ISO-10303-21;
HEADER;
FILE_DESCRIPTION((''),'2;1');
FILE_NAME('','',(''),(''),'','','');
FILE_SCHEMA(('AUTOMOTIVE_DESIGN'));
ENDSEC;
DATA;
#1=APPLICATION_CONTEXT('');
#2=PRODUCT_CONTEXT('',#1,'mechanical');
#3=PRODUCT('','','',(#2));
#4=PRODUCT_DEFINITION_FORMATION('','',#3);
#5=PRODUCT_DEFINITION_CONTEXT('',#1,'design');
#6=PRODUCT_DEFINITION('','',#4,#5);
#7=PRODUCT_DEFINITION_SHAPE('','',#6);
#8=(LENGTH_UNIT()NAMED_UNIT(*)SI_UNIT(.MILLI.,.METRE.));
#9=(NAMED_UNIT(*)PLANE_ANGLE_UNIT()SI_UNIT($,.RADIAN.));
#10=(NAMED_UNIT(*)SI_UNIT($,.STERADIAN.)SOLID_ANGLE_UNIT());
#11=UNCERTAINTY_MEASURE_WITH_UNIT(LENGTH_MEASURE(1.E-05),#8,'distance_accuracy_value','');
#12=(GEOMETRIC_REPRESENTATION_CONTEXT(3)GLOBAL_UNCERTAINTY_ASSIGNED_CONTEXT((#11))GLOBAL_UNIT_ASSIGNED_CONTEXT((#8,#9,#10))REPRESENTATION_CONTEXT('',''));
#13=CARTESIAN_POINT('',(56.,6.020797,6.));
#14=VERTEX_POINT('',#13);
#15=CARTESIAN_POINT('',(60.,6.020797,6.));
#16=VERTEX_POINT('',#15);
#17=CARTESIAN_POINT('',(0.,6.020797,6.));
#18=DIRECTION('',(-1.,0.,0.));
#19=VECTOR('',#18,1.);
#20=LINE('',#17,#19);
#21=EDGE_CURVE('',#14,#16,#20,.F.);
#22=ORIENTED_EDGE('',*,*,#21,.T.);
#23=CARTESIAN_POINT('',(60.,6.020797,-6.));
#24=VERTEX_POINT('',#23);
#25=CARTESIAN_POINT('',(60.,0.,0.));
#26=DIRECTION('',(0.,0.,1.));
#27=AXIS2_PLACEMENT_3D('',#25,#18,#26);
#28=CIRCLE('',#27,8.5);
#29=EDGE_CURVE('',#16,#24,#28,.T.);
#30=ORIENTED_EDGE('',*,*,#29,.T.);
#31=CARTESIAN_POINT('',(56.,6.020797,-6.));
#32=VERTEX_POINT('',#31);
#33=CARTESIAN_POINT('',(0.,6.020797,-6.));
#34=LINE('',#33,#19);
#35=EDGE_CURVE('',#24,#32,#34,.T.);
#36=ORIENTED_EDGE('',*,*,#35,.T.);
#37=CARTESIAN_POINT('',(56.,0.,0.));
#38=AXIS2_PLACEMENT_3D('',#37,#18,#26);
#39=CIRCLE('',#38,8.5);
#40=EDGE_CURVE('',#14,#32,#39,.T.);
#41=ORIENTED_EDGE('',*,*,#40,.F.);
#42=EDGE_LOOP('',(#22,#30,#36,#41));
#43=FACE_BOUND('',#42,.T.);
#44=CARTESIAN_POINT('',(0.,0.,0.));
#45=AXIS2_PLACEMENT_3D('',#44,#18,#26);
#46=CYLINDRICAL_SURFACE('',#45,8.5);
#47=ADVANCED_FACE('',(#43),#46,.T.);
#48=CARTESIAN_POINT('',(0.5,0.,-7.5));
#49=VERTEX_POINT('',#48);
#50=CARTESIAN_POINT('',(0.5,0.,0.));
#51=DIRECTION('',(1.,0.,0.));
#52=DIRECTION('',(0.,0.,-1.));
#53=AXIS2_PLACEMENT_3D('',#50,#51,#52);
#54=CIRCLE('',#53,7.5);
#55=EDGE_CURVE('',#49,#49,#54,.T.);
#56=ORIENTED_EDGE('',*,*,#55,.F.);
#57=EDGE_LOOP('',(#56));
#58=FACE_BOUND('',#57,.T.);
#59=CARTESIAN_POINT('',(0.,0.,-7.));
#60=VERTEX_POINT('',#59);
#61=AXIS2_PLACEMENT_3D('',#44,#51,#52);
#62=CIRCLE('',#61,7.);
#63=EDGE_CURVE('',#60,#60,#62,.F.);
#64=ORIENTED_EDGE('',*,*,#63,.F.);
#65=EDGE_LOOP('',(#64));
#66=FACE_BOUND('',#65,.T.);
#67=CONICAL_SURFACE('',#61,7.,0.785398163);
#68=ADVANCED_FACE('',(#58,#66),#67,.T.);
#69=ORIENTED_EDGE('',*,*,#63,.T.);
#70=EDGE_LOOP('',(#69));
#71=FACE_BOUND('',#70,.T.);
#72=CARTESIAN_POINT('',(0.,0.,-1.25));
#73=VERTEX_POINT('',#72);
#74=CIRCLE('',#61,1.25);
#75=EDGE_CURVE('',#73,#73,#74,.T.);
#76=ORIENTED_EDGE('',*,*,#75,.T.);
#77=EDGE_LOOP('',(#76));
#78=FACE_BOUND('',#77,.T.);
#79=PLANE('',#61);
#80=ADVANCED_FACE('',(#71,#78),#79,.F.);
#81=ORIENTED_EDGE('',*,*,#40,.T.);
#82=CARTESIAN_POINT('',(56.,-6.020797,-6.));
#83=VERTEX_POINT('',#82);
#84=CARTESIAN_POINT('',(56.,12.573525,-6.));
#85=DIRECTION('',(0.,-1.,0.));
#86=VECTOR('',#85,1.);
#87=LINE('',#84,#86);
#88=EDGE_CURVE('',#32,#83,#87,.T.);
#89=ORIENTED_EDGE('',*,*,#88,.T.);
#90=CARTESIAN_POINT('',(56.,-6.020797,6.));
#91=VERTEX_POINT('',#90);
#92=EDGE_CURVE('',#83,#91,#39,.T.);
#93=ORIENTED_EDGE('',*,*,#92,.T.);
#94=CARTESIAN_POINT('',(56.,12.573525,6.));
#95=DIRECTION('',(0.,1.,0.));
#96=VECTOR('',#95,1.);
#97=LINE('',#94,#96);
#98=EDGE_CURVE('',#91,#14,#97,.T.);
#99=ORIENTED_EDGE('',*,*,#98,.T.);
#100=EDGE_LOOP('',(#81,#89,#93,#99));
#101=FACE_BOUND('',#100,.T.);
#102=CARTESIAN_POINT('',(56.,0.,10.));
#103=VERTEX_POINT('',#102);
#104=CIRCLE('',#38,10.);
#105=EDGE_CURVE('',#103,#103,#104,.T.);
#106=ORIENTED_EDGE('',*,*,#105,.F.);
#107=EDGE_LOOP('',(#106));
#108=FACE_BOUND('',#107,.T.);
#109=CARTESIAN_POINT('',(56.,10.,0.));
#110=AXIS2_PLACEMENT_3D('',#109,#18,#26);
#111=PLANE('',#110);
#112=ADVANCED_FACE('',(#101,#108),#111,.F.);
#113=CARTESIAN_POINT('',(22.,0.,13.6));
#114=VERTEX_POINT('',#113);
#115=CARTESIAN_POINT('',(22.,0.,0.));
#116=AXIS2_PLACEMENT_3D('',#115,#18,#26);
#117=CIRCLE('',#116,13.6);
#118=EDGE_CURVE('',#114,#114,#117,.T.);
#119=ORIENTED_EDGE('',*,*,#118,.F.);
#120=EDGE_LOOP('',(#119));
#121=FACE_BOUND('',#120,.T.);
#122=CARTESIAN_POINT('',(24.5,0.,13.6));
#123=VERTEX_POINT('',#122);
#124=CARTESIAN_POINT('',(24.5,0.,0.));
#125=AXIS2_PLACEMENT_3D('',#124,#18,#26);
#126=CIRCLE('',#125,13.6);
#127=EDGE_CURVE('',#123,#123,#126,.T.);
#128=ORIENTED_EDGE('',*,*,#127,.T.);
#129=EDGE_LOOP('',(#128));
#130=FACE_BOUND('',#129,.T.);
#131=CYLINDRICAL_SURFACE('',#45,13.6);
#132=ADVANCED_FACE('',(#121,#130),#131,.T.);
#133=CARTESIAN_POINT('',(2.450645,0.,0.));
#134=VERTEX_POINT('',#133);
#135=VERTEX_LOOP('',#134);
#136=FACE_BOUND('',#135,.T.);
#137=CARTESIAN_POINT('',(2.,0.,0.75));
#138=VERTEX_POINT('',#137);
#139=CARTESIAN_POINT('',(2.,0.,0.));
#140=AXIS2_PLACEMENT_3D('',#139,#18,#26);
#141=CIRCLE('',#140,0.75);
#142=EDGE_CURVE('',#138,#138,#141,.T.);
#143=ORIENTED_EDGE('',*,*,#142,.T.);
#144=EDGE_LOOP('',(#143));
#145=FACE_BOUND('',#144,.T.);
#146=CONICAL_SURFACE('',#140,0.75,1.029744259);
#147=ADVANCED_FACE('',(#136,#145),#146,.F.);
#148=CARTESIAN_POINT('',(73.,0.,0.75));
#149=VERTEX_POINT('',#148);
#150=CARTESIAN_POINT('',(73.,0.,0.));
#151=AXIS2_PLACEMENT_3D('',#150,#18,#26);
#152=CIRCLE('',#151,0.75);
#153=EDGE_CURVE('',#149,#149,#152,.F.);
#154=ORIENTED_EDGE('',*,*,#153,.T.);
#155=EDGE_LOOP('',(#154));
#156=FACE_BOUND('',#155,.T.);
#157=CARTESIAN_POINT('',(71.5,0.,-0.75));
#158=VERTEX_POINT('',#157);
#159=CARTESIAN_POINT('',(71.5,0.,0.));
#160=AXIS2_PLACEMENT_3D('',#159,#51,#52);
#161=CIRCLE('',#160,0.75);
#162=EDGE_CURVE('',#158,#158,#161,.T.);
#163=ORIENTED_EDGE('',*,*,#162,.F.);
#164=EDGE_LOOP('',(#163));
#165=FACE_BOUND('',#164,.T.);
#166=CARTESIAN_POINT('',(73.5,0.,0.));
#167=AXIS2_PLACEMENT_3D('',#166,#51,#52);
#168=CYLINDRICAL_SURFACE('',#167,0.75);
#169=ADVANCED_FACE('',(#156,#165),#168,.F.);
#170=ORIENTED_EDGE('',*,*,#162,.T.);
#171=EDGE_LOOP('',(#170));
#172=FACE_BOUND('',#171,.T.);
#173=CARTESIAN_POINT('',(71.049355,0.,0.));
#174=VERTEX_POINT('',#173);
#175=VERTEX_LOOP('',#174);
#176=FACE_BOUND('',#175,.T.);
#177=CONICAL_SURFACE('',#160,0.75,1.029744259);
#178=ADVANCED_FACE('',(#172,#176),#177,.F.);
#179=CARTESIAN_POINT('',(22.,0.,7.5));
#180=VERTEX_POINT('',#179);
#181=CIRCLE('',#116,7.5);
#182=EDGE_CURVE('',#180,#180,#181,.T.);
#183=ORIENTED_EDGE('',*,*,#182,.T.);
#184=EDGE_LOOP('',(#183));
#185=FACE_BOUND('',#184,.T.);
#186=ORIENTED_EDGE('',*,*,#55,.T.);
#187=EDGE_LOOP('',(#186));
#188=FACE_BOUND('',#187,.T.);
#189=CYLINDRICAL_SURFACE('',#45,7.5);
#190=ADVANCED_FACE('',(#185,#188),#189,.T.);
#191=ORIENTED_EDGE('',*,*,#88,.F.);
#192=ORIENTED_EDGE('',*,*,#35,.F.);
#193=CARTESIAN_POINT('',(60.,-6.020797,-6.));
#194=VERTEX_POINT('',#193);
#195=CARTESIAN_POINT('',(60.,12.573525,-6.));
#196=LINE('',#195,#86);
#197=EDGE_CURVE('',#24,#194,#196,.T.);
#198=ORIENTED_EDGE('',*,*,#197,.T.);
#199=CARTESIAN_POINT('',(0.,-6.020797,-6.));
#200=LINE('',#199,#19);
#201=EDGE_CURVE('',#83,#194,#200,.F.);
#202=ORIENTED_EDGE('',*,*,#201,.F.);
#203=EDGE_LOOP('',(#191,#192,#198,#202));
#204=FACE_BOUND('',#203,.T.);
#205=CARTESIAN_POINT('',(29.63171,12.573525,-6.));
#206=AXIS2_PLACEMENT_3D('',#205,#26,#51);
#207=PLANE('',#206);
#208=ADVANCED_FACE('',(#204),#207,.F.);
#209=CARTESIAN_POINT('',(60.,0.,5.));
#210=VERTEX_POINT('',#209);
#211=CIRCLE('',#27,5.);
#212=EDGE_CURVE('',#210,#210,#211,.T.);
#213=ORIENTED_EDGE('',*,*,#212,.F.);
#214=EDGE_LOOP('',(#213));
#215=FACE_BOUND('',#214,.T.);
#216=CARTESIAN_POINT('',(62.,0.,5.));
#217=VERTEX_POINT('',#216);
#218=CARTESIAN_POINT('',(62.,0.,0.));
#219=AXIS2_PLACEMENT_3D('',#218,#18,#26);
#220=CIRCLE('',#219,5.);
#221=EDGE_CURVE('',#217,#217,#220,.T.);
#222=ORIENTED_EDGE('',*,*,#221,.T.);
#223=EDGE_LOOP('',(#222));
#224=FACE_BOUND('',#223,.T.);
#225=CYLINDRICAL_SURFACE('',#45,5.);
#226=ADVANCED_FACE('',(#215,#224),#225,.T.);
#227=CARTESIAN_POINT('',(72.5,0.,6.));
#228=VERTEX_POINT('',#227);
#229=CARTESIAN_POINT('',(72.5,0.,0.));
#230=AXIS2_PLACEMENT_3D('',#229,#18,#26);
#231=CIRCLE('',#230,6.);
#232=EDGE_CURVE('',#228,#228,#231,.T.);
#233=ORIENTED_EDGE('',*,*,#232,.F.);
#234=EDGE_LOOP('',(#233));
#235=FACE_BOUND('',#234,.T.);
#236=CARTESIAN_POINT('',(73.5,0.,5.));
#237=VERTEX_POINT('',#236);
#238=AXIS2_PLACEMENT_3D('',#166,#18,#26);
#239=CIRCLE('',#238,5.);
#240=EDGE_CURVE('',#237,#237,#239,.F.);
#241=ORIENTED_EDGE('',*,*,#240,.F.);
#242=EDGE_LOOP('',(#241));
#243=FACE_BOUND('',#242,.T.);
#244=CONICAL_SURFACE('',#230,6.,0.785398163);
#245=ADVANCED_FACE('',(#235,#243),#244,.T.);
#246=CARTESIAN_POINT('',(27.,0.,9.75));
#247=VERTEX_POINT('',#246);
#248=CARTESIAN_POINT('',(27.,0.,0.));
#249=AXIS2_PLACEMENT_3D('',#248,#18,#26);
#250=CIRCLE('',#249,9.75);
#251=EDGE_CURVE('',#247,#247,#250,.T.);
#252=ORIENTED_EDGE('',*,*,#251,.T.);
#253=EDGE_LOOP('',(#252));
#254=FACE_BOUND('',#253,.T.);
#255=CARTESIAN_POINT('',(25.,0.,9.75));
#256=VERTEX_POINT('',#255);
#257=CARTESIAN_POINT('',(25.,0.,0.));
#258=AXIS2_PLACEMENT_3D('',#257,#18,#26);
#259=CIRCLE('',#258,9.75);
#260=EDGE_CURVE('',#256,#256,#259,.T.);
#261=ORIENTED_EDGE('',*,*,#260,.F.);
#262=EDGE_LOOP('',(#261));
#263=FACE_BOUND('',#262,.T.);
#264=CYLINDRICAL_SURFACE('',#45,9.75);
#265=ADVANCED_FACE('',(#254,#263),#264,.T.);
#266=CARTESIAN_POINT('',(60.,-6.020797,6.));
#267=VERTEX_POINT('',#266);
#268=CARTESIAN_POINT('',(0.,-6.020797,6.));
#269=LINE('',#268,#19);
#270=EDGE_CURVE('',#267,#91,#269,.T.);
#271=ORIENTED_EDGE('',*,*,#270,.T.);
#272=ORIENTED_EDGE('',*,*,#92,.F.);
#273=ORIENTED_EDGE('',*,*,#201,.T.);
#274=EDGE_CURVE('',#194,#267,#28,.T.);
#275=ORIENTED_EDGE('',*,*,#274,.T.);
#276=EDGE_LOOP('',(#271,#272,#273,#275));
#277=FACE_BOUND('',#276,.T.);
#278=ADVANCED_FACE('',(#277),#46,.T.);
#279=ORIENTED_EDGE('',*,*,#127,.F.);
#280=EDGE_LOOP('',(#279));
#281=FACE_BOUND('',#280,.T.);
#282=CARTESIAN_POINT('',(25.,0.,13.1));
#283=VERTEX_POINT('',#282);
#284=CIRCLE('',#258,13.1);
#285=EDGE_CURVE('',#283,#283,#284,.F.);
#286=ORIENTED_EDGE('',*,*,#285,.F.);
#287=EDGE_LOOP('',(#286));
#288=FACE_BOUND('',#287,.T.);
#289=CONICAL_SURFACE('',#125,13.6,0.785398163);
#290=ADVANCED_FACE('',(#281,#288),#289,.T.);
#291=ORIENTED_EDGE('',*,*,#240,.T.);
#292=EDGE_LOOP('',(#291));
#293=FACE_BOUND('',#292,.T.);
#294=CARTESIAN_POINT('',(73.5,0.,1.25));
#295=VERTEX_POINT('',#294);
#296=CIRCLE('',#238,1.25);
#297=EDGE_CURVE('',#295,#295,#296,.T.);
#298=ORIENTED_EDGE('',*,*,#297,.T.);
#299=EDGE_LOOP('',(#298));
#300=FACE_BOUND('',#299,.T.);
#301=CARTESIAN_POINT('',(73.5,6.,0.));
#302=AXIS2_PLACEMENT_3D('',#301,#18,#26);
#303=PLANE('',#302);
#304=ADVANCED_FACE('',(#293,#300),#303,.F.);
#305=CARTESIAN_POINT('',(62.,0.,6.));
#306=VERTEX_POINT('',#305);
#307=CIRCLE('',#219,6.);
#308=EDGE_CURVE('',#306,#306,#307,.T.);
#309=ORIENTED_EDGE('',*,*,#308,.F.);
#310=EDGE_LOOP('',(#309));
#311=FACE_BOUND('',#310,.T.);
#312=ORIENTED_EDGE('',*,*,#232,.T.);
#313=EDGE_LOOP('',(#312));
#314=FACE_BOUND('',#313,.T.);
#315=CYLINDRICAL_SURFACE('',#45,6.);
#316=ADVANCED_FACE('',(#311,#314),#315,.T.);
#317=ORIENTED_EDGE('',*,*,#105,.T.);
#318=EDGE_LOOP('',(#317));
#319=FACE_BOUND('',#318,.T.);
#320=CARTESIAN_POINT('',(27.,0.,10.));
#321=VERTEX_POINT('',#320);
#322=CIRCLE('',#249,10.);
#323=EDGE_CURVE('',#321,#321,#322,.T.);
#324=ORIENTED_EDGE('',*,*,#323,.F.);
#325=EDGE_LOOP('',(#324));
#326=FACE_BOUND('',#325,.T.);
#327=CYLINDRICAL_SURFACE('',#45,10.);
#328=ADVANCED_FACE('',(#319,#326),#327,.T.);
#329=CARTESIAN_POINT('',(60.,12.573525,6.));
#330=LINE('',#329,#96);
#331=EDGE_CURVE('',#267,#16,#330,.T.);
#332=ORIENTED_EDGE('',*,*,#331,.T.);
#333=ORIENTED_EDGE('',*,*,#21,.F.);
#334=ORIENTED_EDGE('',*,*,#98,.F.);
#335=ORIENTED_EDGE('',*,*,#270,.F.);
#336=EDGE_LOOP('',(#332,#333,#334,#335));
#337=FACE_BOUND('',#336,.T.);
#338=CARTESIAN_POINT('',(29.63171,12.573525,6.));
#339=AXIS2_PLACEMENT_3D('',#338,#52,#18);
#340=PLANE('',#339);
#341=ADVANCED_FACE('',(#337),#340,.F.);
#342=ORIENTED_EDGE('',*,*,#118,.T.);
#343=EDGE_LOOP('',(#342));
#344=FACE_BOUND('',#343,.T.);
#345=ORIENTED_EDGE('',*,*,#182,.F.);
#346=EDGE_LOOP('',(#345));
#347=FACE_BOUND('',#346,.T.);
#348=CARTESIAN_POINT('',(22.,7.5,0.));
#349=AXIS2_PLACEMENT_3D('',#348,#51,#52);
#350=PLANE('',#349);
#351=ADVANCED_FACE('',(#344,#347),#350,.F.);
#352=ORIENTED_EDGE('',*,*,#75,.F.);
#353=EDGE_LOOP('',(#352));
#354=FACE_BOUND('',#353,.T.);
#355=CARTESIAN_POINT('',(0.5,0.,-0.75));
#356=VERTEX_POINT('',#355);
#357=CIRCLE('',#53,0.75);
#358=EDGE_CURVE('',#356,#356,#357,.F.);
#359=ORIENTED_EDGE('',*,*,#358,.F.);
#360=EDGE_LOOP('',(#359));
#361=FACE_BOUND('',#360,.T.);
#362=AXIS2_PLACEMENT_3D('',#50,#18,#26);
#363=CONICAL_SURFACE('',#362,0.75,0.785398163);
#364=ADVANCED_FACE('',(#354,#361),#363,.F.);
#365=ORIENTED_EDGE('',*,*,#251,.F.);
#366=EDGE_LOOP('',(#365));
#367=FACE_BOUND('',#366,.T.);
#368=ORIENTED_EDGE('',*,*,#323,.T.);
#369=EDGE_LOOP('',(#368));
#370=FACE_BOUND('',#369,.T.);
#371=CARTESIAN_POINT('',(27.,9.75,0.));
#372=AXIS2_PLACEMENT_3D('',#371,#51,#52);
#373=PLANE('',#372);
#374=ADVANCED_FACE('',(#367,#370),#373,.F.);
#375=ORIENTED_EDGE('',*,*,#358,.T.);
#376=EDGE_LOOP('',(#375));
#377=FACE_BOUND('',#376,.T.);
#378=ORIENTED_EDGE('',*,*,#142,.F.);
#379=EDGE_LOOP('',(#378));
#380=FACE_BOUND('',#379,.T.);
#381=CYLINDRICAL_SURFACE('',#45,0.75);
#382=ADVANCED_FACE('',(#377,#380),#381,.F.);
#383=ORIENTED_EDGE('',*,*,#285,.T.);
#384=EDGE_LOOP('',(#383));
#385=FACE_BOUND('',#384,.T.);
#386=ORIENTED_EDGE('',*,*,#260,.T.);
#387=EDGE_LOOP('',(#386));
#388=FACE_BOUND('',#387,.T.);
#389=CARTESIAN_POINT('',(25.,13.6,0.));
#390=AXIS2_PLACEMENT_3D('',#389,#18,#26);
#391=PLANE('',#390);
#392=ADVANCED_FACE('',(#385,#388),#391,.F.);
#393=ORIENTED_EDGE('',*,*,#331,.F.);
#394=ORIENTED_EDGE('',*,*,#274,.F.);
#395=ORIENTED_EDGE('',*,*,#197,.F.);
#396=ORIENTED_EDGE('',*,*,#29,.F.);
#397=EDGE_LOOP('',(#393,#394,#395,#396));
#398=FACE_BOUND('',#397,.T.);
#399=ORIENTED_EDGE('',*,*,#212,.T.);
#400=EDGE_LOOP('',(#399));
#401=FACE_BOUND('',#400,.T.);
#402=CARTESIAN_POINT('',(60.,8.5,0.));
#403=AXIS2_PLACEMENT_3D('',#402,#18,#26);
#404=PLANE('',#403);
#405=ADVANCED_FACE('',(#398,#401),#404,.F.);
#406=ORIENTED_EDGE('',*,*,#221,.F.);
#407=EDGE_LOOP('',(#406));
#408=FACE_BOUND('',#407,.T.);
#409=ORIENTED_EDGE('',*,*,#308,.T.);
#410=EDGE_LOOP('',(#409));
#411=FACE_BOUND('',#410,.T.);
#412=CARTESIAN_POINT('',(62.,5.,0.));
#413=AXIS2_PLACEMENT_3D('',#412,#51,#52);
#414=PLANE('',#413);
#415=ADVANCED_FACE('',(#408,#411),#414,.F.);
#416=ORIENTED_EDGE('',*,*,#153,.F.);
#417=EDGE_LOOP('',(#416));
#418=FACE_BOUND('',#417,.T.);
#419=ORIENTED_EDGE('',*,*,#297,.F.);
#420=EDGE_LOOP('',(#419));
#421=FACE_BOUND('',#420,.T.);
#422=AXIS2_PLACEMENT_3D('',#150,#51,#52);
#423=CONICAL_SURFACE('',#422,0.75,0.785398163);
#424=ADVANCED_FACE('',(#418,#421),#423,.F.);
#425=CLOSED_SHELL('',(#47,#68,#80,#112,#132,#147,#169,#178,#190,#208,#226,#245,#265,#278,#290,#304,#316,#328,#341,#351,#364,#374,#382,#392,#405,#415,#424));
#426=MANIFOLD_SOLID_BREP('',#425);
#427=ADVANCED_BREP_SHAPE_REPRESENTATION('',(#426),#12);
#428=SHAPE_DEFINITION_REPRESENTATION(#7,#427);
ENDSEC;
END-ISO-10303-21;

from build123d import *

# Parameters (mm, degrees)
CHANFREIN1_SIZE                     = 0.5
ENL_V_MAT_EXTRU_1_DEPTH             = 4
CHANFREIN2_SIZE                     = 1
DIAM_TRE_DU_PER_AGE_1_5_1_5_1_D     = 1.5
DIAM_TRE_DU_PER_AGE_1_5_1_5_1_DEPTH = 2
DIAM_TRE_DU_PER_AGE_1_5_1_5_1_TIP   = 0.450645464
CHANFREIN3_SIZE                     = 0.5
DIAM_TRE_DU_PER_AGE_1_5_1_5_2_D     = 1.5
DIAM_TRE_DU_PER_AGE_1_5_1_5_2_DEPTH = 2
DIAM_TRE_DU_PER_AGE_1_5_1_5_2_TIP   = 0.450645464
CHANFREIN4_SIZE                     = 0.5
BOSS_EXTRU_1_REACH                  = 77.975
ESQUISSE9_R                         = 7.5
ESQUISSE9_R_2                       = 4.5
CHANFREIN5_SIZE                     = 0.5


with BuildPart() as part:
    # Esquisse1 → Révolution1 (revolve)
    with BuildSketch(Plane.XY, mode=Mode.PRIVATE) as r_volution1_sk:
        Polygon((0, 0), (0, 5), (6, 5), (6, 4.75), (8, 4.75), (8, 7.5), (22, 7.5), (22, 13.6), (25, 13.6), (25, 9.75), (27, 9.75), (27, 10), (56, 10), (56, 8.5), (60, 8.5), (60, 5), (62, 5), (62, 6), (73.5, 6), (73.5, 0), align=None)
    revolve(r_volution1_sk.sketch.rotate(Axis((0, 0, 0), (1, 0, 0)), 90), axis=Axis((0, 0, 0), (1, 0, 0)))

    # Chanfrein1
    chanfrein1_edges = [part.edges().sort_by_distance(p)[0] for p in [
        (0, 0, -5),
        (8, 0, -4.75),
        (8, 0, -7.5),
        (25, 0, -13.6),
    ]]
    chamfer(chanfrein1_edges, length=CHANFREIN1_SIZE)

    # Esquisse2 → Enlèv. mat.-Extru.1 (cut)
    with BuildSketch(Plane(origin=(60, 0, 0), x_dir=(0, 0, -1), z_dir=(1, 0, 0))):
        with BuildLine():
            Line((-6, 12.573525265), (-6, -12.573525265))
            ThreePointArc((-6, -12.573525265), (-13.931745676, 0), (-6, 12.573525265))
        make_face()
        with BuildLine():
            Line((6, 12.573525265), (6, -12.573525265))
            ThreePointArc((6, -12.573525265), (13.931745676, 0), (6, 12.573525265))
        make_face()
    extrude(amount=-ENL_V_MAT_EXTRU_1_DEPTH, mode=Mode.SUBTRACT)

    # Chanfrein2
    chanfrein2_edges = [part.edges().sort_by_distance(p)[0] for p in [
        (73.5, 0, -6),
    ]]
    chamfer(chanfrein2_edges, length=CHANFREIN2_SIZE)

    # Diamètre du perçage Ø1.5 (1.5)1
    with Locations(Plane(origin=(73.5, 0, 0), x_dir=(0, 0, -1), z_dir=(1, 0, 0))):
        with Locations((0, 0)):
            Hole(DIAM_TRE_DU_PER_AGE_1_5_1_5_1_D / 2, depth=DIAM_TRE_DU_PER_AGE_1_5_1_5_1_DEPTH)
            with Locations((0, 0, -(DIAM_TRE_DU_PER_AGE_1_5_1_5_1_DEPTH + DIAM_TRE_DU_PER_AGE_1_5_1_5_1_TIP / 2))):  # 118° drill point
                Cone(0, DIAM_TRE_DU_PER_AGE_1_5_1_5_1_D / 2, DIAM_TRE_DU_PER_AGE_1_5_1_5_1_TIP, mode=Mode.SUBTRACT)

    # Chanfrein3
    chanfrein3_edges = [part.edges().sort_by_distance(p)[0] for p in [
        (73.5, 0, -0.75),
    ]]
    chamfer(chanfrein3_edges, length=CHANFREIN3_SIZE)

    # Diamètre du perçage Ø1.5 (1.5)2
    with Locations(Plane.ZY):
        with Locations((0, 0)):
            Hole(DIAM_TRE_DU_PER_AGE_1_5_1_5_2_D / 2, depth=DIAM_TRE_DU_PER_AGE_1_5_1_5_2_DEPTH)
            with Locations((0, 0, -(DIAM_TRE_DU_PER_AGE_1_5_1_5_2_DEPTH + DIAM_TRE_DU_PER_AGE_1_5_1_5_2_TIP / 2))):  # 118° drill point
                Cone(0, DIAM_TRE_DU_PER_AGE_1_5_1_5_2_D / 2, DIAM_TRE_DU_PER_AGE_1_5_1_5_2_TIP, mode=Mode.SUBTRACT)

    # Chanfrein4
    chanfrein4_edges = [part.edges().sort_by_distance(p)[0] for p in [
        (0, 0, 0.75),
    ]]
    chamfer(chanfrein4_edges, length=CHANFREIN4_SIZE)

    # Esquisse9 → Boss.-Extru.1 (add, up to next)
    with BuildSketch(Plane.ZY, mode=Mode.PRIVATE) as boss_extru_1_sk1:
        Circle(ESQUISSE9_R)
        Circle(ESQUISSE9_R_2, mode=Mode.SUBTRACT)
    boss_extru_1_tool1 = extrude(boss_extru_1_sk1.sketch, amount=-BOSS_EXTRU_1_REACH, mode=Mode.PRIVATE) - part.part
    add(boss_extru_1_tool1.solids().sort_by_distance((0, 0, -7.287868))[0])

    # Chanfrein5
    chanfrein5_edges = [part.edges().sort_by_distance(p)[0] for p in [
        (0, 0, -7.5),
    ]]
    chamfer(chanfrein5_edges, length=CHANFREIN5_SIZE)


solid = part.part
